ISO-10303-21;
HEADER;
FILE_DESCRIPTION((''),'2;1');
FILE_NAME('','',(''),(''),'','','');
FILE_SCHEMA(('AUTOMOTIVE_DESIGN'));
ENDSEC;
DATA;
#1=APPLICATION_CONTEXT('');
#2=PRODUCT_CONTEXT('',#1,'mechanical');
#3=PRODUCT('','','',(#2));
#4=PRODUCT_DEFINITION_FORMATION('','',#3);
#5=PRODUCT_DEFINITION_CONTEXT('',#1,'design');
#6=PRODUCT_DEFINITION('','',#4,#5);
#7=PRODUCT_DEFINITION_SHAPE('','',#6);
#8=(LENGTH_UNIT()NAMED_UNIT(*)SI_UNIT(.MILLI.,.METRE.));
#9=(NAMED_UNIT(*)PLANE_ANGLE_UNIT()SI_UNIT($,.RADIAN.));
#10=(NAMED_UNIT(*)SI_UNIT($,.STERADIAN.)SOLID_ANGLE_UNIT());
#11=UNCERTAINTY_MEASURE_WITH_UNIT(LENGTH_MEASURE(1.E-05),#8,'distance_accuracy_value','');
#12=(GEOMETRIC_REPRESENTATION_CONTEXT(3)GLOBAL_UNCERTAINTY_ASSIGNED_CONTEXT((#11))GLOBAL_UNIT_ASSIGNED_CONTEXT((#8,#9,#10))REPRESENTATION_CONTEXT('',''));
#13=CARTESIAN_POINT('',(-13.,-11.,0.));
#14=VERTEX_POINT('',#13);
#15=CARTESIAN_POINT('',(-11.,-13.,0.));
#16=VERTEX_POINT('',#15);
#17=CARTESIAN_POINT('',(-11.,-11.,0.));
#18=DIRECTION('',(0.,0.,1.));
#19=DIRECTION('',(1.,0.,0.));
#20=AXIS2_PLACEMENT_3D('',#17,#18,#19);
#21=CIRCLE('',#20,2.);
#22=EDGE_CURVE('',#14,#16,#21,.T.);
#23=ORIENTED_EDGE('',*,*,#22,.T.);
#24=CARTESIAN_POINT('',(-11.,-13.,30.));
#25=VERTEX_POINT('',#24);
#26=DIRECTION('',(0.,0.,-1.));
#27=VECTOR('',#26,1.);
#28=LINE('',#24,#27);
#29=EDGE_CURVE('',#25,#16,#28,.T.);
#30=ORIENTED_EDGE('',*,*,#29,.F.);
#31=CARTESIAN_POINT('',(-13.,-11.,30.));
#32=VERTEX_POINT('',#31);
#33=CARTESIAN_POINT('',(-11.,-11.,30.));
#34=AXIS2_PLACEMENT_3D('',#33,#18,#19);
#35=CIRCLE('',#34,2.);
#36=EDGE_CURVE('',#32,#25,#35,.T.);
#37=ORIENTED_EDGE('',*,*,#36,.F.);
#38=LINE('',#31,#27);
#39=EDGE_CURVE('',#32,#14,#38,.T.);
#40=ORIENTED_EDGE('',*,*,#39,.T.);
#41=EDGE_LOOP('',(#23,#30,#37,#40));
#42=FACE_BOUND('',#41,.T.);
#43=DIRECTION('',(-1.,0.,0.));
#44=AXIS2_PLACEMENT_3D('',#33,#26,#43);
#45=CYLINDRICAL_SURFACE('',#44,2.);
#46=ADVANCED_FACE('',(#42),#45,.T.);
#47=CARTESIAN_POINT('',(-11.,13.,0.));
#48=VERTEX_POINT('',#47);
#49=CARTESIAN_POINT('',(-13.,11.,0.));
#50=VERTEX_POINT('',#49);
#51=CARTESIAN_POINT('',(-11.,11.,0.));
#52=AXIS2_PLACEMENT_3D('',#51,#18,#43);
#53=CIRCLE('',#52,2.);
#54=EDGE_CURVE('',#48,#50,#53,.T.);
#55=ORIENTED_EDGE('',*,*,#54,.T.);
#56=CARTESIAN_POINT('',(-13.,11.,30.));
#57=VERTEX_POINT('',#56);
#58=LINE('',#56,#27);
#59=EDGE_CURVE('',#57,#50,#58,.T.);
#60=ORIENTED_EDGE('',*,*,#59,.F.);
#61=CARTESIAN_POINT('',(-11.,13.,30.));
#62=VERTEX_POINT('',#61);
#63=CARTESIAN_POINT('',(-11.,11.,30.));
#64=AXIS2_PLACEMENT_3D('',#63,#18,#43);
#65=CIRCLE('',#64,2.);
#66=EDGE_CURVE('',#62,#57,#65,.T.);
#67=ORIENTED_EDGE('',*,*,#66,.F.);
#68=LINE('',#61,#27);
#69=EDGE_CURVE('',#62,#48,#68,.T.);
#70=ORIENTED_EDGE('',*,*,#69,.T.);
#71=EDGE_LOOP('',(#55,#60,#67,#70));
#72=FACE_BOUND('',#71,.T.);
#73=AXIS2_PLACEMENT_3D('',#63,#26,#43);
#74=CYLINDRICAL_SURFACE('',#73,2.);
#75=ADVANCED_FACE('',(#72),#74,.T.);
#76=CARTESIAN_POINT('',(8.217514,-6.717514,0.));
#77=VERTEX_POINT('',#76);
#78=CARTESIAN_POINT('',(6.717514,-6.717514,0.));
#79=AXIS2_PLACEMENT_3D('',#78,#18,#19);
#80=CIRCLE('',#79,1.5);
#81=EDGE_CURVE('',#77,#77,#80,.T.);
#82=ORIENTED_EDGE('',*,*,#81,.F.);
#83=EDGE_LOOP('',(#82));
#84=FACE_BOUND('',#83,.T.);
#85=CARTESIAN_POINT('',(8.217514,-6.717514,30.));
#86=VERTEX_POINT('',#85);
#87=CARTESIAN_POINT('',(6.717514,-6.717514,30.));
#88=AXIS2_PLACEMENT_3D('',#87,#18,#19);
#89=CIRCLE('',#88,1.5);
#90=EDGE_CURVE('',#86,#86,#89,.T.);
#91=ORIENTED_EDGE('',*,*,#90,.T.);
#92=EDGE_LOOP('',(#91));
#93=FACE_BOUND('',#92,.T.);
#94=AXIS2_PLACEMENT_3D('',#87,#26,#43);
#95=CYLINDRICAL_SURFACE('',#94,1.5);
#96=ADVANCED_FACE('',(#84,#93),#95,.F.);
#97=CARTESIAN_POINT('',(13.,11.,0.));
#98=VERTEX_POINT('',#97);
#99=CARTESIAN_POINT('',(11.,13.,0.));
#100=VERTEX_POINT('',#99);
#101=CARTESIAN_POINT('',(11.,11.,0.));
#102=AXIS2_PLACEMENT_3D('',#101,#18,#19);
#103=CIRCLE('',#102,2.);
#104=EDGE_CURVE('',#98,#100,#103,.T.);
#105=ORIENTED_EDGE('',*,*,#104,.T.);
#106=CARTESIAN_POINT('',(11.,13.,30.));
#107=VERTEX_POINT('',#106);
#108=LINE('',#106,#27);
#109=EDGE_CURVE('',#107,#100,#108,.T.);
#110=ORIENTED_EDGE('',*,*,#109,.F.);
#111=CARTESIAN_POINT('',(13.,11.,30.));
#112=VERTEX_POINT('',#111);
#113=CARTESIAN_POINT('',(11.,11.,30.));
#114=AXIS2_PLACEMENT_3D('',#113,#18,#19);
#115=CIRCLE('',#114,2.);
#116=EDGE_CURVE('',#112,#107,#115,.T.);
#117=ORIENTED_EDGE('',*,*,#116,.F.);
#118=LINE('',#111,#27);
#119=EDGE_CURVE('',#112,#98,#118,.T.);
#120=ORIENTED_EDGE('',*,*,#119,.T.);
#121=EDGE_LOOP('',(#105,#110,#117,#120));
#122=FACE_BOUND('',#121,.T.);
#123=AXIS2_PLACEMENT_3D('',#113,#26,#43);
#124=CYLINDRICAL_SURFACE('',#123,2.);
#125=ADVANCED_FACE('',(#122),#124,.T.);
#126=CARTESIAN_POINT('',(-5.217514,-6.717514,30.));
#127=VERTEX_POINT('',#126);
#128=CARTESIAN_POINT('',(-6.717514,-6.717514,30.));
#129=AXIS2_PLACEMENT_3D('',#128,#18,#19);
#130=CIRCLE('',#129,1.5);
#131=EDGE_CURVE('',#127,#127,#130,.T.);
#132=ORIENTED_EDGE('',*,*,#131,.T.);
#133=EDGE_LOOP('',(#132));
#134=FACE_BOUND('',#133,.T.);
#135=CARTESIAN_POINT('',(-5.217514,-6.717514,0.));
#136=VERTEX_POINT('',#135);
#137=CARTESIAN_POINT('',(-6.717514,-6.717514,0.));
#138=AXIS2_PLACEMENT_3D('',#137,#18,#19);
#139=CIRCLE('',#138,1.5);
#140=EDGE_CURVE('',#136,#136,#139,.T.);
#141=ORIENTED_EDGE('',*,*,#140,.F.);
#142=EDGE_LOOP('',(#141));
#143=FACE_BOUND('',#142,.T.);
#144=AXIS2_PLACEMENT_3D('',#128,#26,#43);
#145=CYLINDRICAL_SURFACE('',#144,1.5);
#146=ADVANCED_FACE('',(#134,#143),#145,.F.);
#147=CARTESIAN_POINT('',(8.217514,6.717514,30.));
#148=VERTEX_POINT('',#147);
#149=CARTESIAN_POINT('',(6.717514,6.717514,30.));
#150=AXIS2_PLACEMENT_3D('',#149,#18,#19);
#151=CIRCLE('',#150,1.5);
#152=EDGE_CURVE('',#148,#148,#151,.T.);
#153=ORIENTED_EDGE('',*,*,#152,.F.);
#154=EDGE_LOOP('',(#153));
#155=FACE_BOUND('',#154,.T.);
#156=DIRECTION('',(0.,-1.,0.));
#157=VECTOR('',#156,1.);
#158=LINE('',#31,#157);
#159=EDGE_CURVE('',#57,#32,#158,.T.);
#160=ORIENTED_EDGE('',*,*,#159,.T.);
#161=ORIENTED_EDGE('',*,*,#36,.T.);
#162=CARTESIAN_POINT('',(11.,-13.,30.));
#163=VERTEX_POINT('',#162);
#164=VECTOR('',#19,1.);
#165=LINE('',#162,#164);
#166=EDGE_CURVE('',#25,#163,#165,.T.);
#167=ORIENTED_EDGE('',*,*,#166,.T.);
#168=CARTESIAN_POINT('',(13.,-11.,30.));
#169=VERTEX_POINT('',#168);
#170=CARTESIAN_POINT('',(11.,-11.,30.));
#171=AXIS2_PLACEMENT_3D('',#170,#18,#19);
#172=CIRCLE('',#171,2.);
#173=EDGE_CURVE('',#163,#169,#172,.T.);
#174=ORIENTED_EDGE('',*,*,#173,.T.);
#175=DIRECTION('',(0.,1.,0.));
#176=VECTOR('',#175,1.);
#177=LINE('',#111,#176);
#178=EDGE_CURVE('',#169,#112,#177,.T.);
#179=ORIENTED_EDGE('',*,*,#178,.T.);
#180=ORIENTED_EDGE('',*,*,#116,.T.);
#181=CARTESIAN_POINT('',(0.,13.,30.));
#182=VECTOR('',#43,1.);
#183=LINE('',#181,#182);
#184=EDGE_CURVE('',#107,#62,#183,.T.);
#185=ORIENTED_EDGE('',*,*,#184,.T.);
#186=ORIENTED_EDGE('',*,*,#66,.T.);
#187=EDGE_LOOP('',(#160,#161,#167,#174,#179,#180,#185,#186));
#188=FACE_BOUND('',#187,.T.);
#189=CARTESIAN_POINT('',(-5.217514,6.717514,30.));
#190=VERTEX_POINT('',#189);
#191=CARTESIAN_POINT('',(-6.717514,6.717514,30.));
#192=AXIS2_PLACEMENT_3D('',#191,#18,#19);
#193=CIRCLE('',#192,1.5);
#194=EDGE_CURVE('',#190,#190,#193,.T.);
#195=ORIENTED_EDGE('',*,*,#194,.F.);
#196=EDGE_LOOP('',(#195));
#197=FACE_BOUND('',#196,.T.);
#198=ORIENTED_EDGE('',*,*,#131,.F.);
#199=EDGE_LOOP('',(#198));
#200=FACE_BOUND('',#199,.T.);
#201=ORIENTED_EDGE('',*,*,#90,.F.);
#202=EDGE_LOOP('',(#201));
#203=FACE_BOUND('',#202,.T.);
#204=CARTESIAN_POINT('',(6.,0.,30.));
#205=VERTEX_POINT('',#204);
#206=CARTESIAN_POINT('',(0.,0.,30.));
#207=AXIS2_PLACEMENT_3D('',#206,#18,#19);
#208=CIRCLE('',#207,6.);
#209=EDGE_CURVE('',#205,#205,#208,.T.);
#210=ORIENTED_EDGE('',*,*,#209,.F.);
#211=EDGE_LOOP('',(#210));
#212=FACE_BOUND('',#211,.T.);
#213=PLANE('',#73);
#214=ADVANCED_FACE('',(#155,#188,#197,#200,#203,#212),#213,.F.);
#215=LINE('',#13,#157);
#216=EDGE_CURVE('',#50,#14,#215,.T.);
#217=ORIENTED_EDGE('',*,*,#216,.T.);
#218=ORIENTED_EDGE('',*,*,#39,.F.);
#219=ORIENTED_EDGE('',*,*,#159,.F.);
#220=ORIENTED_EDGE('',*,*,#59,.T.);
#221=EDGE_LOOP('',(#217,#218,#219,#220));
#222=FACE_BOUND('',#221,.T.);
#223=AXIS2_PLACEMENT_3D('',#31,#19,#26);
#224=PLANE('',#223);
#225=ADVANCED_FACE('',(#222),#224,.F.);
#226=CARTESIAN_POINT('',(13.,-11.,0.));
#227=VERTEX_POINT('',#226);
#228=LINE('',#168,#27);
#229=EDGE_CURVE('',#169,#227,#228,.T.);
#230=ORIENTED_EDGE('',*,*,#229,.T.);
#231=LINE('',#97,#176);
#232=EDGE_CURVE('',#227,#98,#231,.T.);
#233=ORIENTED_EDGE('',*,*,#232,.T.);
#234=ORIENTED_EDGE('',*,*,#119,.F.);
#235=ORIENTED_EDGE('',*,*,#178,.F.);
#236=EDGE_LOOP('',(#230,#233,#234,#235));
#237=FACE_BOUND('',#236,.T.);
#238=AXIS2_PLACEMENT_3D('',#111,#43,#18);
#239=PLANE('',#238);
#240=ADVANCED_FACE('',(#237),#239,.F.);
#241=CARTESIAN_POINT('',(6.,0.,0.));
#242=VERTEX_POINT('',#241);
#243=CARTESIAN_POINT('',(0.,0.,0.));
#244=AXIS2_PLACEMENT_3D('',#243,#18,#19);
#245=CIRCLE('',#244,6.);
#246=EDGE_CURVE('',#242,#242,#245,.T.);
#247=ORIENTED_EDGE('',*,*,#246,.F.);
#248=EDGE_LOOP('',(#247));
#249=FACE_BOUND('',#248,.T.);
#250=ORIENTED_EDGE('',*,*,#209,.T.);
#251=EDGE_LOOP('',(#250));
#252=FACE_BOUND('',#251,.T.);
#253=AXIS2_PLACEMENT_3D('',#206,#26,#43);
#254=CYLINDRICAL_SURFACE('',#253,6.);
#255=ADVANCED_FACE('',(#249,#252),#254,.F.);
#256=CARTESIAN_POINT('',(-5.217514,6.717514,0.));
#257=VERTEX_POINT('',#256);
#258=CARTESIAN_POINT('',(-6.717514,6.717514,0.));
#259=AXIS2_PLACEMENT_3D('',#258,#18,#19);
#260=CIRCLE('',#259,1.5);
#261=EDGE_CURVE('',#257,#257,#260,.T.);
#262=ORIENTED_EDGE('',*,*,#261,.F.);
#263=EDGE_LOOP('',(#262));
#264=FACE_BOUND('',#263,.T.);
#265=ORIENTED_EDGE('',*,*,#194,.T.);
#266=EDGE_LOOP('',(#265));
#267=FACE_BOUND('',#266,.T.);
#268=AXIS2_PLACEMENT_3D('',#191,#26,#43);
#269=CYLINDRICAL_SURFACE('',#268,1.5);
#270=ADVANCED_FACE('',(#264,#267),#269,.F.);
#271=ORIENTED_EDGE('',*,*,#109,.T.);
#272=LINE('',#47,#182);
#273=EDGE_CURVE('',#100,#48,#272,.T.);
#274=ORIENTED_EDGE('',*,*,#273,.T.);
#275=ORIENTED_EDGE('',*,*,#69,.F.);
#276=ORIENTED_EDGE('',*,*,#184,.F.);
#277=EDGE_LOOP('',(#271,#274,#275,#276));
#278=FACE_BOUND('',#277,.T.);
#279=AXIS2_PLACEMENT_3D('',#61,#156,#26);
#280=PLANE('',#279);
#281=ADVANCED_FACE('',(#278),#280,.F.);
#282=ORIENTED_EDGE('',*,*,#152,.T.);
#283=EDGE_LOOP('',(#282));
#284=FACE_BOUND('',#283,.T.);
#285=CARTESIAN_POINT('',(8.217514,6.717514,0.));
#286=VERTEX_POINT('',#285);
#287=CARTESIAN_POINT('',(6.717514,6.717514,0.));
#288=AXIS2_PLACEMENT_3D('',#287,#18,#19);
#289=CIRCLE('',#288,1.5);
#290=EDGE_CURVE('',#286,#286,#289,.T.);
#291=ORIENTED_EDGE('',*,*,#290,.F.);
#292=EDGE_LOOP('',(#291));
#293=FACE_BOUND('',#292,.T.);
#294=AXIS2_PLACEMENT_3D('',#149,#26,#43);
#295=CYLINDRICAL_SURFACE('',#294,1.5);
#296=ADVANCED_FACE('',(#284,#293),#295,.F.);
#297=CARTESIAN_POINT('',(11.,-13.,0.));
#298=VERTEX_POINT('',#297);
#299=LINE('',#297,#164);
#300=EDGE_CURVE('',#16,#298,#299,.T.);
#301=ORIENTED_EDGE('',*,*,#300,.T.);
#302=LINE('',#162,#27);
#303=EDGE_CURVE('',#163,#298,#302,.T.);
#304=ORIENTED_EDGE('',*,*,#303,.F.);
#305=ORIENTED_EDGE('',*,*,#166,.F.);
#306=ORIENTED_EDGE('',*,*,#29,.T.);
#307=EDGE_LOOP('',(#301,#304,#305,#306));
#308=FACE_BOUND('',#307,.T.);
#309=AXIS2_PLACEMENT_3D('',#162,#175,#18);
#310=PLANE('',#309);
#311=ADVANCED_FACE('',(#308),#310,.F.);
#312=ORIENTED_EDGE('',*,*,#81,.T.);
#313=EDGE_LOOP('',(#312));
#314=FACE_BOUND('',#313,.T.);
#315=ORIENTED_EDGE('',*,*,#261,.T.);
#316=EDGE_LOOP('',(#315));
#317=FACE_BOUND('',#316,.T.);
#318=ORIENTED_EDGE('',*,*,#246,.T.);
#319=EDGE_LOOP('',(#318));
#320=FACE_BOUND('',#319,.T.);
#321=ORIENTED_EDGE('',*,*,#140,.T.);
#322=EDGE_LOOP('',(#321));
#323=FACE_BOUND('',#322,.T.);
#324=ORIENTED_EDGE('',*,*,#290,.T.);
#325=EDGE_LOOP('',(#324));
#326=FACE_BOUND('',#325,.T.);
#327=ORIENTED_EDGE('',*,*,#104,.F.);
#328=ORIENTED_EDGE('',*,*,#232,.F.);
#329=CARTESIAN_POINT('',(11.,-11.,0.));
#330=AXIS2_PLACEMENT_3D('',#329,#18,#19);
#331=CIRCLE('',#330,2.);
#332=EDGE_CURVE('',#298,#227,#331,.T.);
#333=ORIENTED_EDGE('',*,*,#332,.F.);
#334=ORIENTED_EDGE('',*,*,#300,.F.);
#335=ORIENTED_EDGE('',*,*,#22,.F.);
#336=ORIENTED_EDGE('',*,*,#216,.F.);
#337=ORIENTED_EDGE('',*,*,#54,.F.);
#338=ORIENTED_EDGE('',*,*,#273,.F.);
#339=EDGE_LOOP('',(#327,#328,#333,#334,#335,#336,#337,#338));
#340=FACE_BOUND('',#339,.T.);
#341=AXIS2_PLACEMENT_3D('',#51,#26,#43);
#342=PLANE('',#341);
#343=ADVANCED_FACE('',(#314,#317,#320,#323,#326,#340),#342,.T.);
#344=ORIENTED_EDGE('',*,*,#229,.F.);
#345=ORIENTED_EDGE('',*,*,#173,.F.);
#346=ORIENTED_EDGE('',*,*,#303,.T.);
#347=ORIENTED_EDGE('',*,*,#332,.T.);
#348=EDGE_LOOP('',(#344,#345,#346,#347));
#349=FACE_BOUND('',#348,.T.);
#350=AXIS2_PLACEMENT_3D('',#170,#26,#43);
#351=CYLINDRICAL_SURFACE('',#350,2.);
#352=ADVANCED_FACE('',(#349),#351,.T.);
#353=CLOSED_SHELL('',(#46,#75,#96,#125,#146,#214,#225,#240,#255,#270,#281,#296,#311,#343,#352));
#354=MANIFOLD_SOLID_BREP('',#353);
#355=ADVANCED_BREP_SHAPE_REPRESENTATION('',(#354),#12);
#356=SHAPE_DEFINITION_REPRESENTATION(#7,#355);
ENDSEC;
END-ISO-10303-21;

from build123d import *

# Parameters (mm, degrees)
SKETCH_1_R      = 1.5
SKETCH_1_R_2    = 6
EXTRUDE_1_DEPTH = 30


with BuildPart() as part:
    # 草图1 → 凸台-拉伸1 (new body)
    with BuildSketch(Plane.XY):
        with BuildLine():
            Line((0, 13), (11, 13))
            ThreePointArc((11, 13), (12.414213562, 12.414213562), (13, 11))
            Line((13, 11), (13, -11))
            ThreePointArc((13, -11), (12.414213562, -12.414213562), (11, -13))
            Line((11, -13), (-11, -13))
            ThreePointArc((-11, -13), (-12.414213562, -12.414213562), (-13, -11))
            Line((-13, -11), (-13, 11))
            ThreePointArc((-13, 11), (-12.414213562, 12.414213562), (-11, 13))
            Line((-11, 13), (0, 13))
        make_face()
        with Locations((-6.717514421, 6.717514421)):
            Circle(SKETCH_1_R, mode=Mode.SUBTRACT)
        with Locations((6.717514421, 6.717514421)):
            Circle(SKETCH_1_R, mode=Mode.SUBTRACT)
        with Locations((-6.717514421, -6.717514421)):
            Circle(SKETCH_1_R, mode=Mode.SUBTRACT)
        with Locations((6.717514421, -6.717514421)):
            Circle(SKETCH_1_R, mode=Mode.SUBTRACT)
        Circle(SKETCH_1_R_2, mode=Mode.SUBTRACT)
    extrude(amount=EXTRUDE_1_DEPTH)


solid = part.part
